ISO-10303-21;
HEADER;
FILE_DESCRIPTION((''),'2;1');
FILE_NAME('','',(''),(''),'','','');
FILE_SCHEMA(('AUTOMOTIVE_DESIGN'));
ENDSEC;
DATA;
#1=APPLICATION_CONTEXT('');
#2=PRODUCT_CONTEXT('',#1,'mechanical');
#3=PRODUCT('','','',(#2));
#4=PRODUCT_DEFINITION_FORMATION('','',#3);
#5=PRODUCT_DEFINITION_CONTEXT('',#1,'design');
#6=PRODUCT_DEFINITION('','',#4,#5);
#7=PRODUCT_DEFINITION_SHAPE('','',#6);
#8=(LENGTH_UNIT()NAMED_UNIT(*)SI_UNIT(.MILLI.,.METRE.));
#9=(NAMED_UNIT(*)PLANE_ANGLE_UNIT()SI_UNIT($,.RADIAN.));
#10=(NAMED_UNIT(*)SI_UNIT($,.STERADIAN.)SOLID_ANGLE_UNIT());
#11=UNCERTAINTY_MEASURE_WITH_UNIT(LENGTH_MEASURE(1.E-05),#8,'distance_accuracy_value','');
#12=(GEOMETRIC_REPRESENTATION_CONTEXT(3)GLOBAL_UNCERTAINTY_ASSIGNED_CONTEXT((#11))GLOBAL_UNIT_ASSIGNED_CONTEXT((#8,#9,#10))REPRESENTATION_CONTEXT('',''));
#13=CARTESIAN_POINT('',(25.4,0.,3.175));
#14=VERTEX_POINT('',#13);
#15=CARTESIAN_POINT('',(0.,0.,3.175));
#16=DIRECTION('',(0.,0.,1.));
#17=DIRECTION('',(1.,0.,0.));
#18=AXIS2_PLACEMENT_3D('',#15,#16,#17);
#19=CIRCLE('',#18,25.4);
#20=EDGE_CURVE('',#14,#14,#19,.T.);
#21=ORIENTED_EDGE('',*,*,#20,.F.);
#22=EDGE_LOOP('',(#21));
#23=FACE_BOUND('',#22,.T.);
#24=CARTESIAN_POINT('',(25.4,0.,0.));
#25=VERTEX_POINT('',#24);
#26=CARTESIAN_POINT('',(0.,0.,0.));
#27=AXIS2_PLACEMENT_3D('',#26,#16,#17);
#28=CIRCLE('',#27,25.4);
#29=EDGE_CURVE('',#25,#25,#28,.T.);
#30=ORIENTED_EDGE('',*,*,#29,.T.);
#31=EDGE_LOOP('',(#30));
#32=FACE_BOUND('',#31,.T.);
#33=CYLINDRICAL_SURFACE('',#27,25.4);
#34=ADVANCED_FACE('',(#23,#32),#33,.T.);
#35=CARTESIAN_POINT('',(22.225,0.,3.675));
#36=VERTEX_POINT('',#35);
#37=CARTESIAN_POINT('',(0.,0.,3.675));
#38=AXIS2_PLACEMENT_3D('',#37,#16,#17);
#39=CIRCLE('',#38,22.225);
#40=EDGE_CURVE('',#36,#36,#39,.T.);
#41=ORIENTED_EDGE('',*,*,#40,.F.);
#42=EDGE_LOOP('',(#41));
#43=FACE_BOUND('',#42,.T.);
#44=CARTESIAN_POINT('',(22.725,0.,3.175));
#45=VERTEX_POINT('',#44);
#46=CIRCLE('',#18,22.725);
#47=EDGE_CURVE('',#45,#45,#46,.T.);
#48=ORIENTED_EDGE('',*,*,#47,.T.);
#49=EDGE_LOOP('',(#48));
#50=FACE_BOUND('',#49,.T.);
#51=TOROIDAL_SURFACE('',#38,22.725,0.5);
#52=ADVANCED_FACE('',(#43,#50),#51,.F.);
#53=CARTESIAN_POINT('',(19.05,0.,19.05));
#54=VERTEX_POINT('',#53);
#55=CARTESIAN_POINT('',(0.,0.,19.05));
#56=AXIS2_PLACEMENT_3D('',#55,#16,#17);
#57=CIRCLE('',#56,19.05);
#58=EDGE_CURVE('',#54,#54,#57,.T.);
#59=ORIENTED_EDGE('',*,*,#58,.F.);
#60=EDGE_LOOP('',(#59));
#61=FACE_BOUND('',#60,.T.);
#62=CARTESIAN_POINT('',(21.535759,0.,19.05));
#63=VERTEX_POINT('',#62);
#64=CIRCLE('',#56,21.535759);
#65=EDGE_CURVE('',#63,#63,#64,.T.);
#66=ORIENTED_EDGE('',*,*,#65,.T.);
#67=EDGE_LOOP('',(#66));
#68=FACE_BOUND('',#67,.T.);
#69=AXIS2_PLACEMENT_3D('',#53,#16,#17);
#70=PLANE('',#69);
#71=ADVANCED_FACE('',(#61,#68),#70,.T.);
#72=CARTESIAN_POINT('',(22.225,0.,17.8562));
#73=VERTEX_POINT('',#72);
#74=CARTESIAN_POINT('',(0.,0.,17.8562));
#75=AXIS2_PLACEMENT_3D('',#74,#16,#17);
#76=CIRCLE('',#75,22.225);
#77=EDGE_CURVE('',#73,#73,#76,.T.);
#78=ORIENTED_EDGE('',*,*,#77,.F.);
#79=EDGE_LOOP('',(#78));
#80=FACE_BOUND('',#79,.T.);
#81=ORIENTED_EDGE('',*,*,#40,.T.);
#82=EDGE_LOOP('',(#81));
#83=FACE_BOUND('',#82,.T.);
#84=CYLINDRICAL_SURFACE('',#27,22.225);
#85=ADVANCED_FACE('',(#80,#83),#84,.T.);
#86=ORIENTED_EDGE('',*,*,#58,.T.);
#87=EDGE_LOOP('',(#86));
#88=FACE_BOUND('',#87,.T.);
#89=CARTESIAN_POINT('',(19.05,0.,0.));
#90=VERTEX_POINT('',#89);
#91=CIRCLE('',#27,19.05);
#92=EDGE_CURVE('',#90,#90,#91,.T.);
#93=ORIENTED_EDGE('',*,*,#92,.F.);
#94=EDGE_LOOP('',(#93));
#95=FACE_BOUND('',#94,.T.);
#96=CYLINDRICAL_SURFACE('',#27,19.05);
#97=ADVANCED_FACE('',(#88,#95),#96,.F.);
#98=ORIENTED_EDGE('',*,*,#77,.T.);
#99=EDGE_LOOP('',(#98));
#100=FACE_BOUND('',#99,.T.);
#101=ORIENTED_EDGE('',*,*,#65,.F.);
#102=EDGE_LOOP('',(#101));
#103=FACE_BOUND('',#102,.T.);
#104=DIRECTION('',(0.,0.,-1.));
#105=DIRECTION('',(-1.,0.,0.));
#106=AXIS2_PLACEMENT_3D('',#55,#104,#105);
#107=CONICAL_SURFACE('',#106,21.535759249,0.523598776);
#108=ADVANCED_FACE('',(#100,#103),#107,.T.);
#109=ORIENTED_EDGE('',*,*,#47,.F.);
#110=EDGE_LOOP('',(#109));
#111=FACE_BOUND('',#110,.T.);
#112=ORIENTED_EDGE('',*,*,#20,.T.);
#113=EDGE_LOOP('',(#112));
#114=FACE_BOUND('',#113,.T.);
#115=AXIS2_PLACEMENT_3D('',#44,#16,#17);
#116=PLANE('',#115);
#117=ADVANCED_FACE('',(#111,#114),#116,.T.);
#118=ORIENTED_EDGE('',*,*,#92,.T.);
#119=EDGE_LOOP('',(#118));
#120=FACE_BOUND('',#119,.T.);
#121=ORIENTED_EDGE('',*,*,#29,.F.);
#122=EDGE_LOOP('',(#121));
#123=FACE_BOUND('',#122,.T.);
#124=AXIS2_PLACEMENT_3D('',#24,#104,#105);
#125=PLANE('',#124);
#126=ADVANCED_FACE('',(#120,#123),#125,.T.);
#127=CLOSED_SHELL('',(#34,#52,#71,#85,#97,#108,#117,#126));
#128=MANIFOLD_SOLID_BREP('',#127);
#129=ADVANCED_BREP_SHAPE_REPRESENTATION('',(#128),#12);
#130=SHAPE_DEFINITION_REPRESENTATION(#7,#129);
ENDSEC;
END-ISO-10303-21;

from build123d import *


with BuildPart() as part:
    # Sketch1 → Revolve1 (revolve)
    with BuildSketch(Plane(origin=(0, 0, 0), x_dir=(1, 0, 0), z_dir=(0, 1, 0))):
        with BuildLine():
            Line((25.4, 0), (19.05, 0))
            Line((19.05, 0), (19.05, -19.05))
            Line((19.05, -19.05), (21.535759249, -19.05))
            Line((21.535759249, -19.05), (22.225, -17.8562))
            Line((22.225, -17.8562), (22.225, -3.675))
            ThreePointArc((22.225, -3.675), (22.371446609, -3.321446609), (22.725, -3.175))
            Line((22.725, -3.175), (25.4, -3.175))
            Line((25.4, -3.175), (25.4, 0))
        make_face()
    revolve(axis=Axis((0, 0, 0), (0, 0, 1)))


solid = part.part
